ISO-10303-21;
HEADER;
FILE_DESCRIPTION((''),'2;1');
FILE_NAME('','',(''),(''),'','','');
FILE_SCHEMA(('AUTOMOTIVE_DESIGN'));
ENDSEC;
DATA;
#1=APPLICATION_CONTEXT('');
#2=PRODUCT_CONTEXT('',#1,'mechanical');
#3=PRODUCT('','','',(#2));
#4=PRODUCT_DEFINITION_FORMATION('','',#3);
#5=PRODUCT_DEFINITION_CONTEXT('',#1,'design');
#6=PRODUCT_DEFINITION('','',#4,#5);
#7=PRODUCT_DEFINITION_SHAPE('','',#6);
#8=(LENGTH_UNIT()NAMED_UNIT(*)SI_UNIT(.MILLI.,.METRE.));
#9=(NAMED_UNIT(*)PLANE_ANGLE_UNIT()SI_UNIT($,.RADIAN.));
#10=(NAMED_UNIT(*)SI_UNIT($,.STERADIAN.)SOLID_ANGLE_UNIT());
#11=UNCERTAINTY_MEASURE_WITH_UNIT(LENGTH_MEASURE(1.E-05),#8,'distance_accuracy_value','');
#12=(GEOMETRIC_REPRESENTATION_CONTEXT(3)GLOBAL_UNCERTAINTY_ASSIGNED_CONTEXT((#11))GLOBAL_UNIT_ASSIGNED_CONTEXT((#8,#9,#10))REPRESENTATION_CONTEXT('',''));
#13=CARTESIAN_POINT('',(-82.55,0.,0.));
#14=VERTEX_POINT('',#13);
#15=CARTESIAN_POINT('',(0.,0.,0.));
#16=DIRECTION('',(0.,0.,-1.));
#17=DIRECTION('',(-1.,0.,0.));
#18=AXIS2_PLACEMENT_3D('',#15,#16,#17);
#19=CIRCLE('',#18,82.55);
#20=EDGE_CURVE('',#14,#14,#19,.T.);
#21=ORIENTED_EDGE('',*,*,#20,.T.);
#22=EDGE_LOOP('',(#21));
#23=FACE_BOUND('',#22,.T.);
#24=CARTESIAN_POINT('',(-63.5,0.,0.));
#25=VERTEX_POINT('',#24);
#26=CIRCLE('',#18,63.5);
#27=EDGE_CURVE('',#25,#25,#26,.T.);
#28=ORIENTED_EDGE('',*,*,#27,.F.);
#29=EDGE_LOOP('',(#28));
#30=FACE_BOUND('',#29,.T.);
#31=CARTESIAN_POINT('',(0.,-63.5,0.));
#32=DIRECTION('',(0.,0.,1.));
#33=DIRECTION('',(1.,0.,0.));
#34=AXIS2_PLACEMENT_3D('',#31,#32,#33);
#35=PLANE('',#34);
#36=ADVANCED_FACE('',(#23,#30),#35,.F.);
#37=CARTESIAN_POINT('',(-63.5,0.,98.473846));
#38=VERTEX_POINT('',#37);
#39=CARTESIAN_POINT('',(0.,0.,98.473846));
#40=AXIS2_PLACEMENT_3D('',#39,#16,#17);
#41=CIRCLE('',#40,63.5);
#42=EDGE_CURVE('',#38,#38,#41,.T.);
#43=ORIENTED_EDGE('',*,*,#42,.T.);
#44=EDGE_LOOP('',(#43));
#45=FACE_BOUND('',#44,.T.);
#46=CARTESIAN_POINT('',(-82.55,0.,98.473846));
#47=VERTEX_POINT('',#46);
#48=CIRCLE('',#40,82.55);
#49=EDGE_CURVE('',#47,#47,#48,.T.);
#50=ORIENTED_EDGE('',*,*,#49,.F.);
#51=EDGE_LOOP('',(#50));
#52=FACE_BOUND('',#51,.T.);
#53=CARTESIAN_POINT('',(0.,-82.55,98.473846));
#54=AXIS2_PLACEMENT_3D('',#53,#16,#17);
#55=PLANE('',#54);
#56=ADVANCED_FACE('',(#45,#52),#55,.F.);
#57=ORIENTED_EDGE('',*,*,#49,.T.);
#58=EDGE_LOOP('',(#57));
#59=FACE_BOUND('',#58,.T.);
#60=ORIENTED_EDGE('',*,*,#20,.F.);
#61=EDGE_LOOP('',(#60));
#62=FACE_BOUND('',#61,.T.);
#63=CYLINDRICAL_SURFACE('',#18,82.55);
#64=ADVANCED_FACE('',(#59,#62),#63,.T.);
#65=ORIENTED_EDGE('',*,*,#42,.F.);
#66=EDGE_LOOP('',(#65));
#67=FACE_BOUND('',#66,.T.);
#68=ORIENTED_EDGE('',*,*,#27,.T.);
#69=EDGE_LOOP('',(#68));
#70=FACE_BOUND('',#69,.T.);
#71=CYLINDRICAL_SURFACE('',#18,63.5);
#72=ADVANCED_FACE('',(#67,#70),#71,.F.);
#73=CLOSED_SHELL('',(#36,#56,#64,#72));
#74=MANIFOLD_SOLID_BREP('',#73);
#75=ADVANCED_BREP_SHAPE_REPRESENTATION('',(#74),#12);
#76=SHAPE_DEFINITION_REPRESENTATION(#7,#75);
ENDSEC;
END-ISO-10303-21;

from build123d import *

# Parameters (mm, degrees)
SKETCH2_W = 19.05
SKETCH2_H = 98.473846154


with BuildPart() as part:
    # Sketch2 → Revolve1 (revolve)
    with BuildSketch(Plane.YZ, mode=Mode.PRIVATE) as revolve1_sk:
        with Locations((-73.025, 49.236923077)):
            Rectangle(SKETCH2_W, SKETCH2_H)
    revolve(revolve1_sk.sketch.rotate(Axis((0, 0, 0), (0, 0, 1)), 270), axis=Axis((0, 0, 0), (0, 0, 1)))


solid = part.part
